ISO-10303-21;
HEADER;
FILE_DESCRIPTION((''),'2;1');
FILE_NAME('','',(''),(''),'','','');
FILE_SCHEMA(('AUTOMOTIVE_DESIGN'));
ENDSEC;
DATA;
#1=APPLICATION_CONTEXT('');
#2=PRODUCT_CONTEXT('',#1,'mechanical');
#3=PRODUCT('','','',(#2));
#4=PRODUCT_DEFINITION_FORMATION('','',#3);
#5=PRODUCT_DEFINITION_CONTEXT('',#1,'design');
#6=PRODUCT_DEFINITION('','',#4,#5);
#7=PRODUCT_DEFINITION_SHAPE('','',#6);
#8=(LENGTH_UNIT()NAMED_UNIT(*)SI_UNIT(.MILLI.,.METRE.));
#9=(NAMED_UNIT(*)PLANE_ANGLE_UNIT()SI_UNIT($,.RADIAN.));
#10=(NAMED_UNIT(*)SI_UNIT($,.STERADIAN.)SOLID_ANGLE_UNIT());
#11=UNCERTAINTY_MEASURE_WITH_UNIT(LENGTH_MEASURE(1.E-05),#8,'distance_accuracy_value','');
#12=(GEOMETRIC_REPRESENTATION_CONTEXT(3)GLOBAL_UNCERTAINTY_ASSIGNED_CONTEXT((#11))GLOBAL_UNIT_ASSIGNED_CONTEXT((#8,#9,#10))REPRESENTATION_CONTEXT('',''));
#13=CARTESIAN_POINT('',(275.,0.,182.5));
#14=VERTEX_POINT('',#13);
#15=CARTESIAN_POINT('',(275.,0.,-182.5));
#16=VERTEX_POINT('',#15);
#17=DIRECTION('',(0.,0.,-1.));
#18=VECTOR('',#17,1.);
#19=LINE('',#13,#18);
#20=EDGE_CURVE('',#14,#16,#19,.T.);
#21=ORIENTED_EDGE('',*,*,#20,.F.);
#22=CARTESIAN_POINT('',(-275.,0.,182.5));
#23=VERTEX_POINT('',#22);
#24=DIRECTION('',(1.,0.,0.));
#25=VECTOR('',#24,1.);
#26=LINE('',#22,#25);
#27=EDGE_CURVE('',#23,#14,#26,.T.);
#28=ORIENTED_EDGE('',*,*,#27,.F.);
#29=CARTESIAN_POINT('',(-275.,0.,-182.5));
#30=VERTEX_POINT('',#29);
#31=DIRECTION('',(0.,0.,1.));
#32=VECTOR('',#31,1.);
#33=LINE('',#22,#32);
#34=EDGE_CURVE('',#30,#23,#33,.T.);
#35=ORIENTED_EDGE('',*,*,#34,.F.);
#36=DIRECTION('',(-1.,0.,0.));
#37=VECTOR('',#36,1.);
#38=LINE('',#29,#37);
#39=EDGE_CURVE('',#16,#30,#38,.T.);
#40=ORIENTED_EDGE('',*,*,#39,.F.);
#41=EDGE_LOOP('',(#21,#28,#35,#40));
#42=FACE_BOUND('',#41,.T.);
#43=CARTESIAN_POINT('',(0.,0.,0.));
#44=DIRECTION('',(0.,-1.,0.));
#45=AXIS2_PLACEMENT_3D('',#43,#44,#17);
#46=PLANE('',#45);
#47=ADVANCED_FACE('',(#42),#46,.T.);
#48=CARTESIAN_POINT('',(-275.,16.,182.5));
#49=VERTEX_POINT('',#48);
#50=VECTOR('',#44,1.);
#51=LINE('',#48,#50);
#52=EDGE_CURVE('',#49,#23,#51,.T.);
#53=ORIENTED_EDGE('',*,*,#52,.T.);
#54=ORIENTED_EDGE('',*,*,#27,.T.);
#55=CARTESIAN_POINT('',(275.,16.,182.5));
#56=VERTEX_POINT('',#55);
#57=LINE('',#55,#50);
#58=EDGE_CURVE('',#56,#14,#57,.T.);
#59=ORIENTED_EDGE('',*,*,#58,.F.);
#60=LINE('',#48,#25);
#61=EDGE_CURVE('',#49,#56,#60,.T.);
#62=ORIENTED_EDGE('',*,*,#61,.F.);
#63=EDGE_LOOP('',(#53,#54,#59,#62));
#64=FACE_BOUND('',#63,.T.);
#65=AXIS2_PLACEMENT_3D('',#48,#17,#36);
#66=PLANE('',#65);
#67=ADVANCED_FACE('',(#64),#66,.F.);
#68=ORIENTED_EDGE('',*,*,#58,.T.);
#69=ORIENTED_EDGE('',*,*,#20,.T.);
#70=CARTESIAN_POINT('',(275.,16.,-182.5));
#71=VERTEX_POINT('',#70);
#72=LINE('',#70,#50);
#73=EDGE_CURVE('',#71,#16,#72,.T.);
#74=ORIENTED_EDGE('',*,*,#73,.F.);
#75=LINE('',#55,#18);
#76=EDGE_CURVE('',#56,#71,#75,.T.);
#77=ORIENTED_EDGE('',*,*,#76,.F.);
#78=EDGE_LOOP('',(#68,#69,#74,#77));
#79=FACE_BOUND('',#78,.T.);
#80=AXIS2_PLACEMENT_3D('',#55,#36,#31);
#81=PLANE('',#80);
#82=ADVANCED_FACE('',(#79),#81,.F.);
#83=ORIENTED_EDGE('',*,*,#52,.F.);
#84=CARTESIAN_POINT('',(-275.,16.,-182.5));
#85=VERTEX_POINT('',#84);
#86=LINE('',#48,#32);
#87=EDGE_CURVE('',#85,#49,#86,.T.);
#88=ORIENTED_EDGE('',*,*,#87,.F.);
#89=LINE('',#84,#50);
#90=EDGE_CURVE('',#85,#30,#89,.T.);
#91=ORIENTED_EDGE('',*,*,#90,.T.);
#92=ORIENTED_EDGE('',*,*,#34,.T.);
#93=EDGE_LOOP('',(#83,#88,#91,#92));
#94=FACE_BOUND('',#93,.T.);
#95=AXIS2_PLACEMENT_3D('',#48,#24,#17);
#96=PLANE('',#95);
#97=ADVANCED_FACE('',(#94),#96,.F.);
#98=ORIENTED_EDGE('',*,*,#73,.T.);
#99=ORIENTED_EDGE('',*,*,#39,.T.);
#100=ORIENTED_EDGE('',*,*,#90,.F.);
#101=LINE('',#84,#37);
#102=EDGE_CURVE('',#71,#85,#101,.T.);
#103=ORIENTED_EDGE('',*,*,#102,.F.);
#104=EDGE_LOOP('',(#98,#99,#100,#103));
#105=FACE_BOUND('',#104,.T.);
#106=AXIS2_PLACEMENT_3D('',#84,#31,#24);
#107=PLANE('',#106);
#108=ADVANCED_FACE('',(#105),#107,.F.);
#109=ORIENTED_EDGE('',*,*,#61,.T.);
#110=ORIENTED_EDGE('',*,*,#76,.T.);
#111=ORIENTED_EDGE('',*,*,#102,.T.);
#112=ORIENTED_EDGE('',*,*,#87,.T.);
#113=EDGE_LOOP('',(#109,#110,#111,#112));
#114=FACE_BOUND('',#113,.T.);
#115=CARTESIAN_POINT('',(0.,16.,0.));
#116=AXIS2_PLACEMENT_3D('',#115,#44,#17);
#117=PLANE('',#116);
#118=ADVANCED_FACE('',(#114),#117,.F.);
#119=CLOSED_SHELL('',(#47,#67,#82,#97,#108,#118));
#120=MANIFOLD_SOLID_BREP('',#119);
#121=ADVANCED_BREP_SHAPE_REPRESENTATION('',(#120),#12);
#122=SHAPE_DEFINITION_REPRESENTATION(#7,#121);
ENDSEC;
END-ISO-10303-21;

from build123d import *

# Parameters (mm, degrees)
SZKIC1_W                    = 550
SZKIC1_H                    = 365
DODANIE_WYCI_GNI_CIE1_DEPTH = 16


with BuildPart() as part:
    # Szkic1 → Dodanie-wyciągnięcie1 (new body)
    with BuildSketch(Plane(origin=(0, 0, 0), x_dir=(1, 0, 0), z_dir=(0, 1, 0))):
        Rectangle(SZKIC1_W, SZKIC1_H)
    extrude(amount=DODANIE_WYCI_GNI_CIE1_DEPTH)


solid = part.part
